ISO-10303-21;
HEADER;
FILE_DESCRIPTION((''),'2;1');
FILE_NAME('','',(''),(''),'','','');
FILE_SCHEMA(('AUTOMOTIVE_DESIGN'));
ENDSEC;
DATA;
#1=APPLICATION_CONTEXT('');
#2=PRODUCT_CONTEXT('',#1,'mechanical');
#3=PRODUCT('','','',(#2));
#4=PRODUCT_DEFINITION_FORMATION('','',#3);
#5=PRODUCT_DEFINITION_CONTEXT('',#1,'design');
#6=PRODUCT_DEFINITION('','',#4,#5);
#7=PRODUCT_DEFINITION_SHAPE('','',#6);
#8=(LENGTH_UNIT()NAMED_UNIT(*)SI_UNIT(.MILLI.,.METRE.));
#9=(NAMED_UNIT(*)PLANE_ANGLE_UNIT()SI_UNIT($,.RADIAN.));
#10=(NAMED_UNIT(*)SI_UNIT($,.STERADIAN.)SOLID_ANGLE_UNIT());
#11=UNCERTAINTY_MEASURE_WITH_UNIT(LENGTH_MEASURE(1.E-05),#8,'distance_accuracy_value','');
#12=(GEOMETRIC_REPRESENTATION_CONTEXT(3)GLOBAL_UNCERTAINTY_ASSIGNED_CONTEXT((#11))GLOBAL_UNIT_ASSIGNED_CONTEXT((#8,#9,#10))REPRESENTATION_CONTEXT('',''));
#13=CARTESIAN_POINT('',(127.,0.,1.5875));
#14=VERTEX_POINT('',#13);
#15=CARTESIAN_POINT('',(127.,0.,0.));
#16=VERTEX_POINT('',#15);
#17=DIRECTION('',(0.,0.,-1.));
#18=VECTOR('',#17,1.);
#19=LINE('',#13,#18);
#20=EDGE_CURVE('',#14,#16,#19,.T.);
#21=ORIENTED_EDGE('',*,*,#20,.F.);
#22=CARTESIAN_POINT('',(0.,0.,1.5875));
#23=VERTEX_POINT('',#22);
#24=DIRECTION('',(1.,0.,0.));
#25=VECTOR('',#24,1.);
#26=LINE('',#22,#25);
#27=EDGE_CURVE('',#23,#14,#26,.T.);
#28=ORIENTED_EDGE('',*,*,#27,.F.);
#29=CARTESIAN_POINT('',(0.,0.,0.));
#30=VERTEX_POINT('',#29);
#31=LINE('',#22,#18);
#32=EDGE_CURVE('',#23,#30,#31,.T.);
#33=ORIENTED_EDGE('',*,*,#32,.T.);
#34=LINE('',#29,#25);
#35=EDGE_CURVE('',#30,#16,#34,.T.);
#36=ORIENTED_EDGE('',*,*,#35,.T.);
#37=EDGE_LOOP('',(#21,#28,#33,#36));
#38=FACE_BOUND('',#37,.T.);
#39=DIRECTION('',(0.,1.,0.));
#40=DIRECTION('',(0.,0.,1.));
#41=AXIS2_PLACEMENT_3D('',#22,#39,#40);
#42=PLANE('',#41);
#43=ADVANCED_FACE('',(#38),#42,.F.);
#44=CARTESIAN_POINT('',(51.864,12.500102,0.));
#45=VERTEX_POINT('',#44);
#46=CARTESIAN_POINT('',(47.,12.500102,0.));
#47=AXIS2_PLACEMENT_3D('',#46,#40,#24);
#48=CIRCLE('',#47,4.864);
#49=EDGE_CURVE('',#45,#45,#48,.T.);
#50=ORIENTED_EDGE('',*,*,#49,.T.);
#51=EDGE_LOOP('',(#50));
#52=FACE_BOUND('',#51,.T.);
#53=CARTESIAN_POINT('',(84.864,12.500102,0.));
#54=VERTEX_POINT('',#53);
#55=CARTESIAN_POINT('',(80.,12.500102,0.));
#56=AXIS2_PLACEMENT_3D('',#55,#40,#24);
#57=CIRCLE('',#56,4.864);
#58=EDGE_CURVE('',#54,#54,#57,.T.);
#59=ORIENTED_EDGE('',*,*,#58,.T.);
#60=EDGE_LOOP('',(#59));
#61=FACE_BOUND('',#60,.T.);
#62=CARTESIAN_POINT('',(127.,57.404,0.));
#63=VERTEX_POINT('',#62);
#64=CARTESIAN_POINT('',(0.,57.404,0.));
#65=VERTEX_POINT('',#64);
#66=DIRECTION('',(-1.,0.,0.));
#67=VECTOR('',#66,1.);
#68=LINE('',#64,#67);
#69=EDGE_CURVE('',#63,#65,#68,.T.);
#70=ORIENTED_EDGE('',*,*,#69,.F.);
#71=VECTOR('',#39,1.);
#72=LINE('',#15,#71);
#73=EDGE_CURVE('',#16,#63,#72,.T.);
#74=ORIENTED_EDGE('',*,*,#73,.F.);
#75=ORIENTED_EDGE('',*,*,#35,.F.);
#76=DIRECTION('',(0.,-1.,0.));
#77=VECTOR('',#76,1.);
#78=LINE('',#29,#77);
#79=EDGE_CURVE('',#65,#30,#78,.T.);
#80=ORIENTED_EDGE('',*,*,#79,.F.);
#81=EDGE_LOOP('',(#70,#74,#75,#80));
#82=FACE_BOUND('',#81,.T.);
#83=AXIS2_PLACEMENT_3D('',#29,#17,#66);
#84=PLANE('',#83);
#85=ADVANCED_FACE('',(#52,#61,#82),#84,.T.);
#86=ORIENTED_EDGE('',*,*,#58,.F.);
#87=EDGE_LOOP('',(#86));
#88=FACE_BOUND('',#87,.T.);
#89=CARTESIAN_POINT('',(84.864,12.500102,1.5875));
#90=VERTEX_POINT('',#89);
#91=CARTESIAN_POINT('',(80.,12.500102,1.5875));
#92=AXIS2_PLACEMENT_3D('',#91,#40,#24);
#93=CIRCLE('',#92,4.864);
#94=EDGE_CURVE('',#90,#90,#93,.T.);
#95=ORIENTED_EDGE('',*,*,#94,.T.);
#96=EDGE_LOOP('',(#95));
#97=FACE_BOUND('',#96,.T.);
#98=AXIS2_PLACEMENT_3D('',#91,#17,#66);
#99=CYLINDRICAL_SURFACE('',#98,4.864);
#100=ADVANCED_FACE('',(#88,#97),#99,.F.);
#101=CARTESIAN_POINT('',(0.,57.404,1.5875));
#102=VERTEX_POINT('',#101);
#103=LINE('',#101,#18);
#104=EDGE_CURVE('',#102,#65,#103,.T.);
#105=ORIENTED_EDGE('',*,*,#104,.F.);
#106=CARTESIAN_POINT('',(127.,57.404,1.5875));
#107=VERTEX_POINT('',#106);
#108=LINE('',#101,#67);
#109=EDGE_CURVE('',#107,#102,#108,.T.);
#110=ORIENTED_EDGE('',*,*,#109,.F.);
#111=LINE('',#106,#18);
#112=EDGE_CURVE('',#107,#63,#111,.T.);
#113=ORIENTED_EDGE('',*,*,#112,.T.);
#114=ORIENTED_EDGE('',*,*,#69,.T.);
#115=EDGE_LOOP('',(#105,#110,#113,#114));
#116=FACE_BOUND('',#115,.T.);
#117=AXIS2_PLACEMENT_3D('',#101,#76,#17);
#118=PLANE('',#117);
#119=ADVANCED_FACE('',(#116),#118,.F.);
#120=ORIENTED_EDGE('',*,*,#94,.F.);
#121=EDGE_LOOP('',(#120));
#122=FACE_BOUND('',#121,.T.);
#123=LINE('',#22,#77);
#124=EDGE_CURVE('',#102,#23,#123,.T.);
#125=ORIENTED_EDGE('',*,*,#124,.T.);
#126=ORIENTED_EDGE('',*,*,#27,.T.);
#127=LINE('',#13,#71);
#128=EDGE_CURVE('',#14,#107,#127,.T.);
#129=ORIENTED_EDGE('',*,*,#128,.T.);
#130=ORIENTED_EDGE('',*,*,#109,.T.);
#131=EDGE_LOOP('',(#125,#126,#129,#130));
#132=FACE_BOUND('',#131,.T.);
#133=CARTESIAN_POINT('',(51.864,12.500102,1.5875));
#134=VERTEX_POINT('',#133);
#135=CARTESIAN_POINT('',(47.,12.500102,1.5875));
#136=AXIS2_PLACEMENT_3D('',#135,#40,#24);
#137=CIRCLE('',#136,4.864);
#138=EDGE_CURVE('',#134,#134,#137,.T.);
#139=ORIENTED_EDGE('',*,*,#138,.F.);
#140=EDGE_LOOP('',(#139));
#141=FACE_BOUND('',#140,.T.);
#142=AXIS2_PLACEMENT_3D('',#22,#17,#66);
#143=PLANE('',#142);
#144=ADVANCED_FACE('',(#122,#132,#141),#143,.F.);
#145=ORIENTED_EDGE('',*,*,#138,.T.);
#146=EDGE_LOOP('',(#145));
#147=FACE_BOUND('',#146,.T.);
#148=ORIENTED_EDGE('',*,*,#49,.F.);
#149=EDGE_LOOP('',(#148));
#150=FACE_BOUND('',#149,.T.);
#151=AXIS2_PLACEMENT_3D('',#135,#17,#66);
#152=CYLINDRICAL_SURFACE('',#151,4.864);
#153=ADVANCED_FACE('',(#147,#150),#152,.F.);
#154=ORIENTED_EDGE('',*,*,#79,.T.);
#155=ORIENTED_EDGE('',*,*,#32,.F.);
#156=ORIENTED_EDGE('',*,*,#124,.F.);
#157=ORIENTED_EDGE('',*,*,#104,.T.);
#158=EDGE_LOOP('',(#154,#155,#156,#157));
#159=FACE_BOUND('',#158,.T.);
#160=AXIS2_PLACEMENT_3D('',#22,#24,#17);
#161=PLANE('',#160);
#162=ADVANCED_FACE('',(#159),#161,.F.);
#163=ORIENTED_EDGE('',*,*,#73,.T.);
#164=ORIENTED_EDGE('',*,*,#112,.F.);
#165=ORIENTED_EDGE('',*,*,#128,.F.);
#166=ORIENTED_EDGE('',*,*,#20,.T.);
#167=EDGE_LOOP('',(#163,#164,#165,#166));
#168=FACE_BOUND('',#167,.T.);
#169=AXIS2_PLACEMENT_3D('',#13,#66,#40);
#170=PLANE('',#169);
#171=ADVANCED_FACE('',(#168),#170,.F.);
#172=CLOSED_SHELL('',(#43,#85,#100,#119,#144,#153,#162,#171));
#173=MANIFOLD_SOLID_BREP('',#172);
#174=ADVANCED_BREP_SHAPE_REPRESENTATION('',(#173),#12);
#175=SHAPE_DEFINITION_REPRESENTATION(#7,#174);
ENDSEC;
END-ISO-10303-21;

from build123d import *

# Parameters (mm, degrees)
SKETCH1_W           = 127
SKETCH1_H           = 57.404
SKETCH1_R           = 4.864
BOSS_EXTRUDE1_DEPTH = 1.5875


with BuildPart() as part:
    # Sketch1 → Boss-Extrude1 (new body)
    with BuildSketch(Plane.XY):
        with Locations((63.5, 28.702)):
            Rectangle(SKETCH1_W, SKETCH1_H)
        with Locations((80, 12.500102)):
            Circle(SKETCH1_R, mode=Mode.SUBTRACT)
        with Locations((47, 12.500102)):
            Circle(SKETCH1_R, mode=Mode.SUBTRACT)
    extrude(amount=BOSS_EXTRUDE1_DEPTH)


solid = part.part
